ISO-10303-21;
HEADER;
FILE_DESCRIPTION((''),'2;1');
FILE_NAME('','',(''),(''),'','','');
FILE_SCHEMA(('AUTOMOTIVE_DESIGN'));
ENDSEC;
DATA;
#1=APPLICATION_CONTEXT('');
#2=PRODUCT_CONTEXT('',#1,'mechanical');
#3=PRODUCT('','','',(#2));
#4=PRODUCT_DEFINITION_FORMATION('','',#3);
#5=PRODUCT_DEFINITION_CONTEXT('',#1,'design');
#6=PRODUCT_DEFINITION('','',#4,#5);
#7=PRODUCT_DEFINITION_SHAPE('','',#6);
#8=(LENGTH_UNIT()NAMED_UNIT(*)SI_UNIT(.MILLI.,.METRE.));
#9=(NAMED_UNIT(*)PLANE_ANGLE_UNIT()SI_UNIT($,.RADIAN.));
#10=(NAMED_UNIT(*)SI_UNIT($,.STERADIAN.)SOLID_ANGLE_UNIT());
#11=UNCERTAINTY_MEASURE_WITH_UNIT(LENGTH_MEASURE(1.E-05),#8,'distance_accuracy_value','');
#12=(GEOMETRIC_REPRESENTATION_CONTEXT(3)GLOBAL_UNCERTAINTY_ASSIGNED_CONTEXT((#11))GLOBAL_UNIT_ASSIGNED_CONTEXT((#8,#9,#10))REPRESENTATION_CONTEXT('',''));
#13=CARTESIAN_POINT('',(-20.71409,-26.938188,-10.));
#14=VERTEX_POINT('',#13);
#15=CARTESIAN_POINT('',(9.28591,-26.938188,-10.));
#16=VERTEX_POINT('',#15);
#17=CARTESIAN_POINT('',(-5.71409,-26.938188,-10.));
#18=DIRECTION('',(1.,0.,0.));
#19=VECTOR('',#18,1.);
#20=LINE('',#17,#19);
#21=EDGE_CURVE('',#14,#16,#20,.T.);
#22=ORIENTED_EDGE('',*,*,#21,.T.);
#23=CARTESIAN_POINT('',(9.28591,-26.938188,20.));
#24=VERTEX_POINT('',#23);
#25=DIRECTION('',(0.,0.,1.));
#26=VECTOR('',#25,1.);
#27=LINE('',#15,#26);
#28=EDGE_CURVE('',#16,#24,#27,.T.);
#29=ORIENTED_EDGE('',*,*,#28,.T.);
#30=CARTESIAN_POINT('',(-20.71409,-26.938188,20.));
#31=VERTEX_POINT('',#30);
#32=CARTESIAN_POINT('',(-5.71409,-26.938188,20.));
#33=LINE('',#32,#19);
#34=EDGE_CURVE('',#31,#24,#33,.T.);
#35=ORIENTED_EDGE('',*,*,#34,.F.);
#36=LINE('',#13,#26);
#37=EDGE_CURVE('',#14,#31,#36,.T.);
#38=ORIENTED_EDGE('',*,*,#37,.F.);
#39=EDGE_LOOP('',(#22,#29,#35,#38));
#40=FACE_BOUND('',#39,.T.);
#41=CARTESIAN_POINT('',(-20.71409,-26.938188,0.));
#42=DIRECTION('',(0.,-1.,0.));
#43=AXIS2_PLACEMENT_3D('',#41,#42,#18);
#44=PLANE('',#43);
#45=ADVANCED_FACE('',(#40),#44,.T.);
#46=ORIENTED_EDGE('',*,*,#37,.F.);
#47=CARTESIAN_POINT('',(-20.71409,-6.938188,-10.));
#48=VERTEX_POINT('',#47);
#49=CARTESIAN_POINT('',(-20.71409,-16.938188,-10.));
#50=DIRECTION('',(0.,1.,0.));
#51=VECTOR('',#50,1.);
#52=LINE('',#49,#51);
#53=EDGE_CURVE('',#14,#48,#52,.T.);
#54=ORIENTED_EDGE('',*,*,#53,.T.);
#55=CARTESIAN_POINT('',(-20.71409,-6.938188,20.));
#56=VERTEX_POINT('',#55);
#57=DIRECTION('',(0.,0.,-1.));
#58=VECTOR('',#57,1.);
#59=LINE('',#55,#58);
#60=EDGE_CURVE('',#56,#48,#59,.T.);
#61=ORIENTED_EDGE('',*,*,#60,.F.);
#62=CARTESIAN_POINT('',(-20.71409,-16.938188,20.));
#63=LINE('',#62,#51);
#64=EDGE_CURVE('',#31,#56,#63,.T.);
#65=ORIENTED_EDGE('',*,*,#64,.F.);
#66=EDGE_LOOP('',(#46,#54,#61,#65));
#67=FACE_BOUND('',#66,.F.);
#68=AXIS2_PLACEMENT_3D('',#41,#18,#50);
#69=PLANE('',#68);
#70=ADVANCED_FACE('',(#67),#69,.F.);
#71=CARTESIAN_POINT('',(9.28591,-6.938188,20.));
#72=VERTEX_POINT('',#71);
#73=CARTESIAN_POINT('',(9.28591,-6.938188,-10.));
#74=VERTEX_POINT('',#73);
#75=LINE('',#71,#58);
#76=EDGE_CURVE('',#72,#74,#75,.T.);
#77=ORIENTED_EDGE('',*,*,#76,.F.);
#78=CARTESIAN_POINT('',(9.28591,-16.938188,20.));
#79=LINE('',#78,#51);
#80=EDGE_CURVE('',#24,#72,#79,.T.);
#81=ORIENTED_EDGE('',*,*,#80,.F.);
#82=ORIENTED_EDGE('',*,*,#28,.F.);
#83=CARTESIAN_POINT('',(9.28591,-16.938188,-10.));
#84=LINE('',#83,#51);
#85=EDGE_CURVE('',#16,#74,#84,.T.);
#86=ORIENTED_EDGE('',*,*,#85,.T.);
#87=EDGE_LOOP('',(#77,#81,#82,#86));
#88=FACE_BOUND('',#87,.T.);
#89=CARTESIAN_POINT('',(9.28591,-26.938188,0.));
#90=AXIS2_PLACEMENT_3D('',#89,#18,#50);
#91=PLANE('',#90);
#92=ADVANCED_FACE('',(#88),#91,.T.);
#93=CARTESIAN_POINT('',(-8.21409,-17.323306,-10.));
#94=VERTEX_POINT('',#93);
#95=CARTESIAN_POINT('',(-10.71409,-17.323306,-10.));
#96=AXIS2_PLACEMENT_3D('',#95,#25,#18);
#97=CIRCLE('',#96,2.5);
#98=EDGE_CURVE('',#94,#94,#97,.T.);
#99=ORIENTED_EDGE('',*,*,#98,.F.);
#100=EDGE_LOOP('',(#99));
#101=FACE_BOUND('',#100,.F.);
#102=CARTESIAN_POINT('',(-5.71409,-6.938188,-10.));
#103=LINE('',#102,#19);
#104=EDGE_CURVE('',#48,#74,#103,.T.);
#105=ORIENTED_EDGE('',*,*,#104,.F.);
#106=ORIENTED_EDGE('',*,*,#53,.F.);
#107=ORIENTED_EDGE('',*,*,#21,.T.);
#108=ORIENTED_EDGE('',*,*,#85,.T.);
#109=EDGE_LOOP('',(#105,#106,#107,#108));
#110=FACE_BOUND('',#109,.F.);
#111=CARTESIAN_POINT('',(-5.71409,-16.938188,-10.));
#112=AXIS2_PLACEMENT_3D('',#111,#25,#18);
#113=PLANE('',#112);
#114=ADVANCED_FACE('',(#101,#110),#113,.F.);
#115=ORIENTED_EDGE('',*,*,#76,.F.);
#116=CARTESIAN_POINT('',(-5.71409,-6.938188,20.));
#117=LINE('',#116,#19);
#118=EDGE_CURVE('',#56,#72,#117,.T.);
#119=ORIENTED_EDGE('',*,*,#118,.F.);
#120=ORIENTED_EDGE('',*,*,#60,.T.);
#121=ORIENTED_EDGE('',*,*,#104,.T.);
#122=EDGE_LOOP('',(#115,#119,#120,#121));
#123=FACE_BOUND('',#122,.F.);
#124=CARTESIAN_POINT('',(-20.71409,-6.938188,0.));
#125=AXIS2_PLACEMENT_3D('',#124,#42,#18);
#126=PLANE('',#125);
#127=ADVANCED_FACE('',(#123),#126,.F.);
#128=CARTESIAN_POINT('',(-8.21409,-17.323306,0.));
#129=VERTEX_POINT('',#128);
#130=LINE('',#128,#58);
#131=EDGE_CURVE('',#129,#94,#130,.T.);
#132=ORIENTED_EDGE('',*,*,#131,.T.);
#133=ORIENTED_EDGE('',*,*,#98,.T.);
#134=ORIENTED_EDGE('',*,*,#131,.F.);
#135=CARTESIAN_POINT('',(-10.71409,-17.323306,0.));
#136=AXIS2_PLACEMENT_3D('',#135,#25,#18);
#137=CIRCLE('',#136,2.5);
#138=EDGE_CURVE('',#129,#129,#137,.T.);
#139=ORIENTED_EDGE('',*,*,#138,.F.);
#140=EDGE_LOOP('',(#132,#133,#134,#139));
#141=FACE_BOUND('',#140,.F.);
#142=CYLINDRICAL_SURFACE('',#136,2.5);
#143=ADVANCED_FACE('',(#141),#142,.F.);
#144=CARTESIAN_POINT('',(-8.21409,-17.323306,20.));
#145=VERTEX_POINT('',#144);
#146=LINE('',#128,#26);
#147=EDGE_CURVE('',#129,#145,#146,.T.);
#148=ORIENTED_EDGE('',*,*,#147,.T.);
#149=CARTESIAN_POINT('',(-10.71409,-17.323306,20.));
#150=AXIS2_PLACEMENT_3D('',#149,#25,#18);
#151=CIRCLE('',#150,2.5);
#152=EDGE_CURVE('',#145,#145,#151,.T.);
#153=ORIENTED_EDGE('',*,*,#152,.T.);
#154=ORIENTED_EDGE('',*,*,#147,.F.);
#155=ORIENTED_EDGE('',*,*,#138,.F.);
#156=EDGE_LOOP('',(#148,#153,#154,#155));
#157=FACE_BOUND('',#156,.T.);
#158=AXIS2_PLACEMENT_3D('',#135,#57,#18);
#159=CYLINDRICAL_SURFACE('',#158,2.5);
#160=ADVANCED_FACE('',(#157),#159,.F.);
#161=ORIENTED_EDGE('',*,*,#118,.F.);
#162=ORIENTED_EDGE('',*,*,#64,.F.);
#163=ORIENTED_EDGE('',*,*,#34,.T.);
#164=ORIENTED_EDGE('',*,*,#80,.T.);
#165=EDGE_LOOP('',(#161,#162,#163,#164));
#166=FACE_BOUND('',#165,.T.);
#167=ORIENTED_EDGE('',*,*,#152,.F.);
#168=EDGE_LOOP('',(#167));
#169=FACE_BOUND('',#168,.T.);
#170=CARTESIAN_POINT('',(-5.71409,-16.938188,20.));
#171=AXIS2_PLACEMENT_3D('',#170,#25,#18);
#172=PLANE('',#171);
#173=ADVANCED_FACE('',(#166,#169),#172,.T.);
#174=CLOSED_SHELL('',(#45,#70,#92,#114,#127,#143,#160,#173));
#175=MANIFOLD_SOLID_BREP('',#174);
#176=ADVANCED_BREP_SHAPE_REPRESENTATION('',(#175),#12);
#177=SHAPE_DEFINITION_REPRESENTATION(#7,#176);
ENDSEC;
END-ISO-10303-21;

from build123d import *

# Parameters (mm, degrees)
F0_W          = 30
F0_H          = 20
F0_R          = 2.5
F1_DEPTH      = 20
F1_DEPTH_BACK = 10


with BuildPart() as f1:
    # F0 (on Top) → F1 (new body, two sides)
    with BuildSketch(Plane.XY) as f1_sk:
        with Locations((-5.71409, -16.938188)):
            Rectangle(F0_W, F0_H)
        with Locations((-10.71409, -17.323306)):
            Circle(F0_R, mode=Mode.SUBTRACT)
    extrude(amount=F1_DEPTH)
    extrude(f1_sk.sketch, amount=-F1_DEPTH_BACK)


solid = f1.part
